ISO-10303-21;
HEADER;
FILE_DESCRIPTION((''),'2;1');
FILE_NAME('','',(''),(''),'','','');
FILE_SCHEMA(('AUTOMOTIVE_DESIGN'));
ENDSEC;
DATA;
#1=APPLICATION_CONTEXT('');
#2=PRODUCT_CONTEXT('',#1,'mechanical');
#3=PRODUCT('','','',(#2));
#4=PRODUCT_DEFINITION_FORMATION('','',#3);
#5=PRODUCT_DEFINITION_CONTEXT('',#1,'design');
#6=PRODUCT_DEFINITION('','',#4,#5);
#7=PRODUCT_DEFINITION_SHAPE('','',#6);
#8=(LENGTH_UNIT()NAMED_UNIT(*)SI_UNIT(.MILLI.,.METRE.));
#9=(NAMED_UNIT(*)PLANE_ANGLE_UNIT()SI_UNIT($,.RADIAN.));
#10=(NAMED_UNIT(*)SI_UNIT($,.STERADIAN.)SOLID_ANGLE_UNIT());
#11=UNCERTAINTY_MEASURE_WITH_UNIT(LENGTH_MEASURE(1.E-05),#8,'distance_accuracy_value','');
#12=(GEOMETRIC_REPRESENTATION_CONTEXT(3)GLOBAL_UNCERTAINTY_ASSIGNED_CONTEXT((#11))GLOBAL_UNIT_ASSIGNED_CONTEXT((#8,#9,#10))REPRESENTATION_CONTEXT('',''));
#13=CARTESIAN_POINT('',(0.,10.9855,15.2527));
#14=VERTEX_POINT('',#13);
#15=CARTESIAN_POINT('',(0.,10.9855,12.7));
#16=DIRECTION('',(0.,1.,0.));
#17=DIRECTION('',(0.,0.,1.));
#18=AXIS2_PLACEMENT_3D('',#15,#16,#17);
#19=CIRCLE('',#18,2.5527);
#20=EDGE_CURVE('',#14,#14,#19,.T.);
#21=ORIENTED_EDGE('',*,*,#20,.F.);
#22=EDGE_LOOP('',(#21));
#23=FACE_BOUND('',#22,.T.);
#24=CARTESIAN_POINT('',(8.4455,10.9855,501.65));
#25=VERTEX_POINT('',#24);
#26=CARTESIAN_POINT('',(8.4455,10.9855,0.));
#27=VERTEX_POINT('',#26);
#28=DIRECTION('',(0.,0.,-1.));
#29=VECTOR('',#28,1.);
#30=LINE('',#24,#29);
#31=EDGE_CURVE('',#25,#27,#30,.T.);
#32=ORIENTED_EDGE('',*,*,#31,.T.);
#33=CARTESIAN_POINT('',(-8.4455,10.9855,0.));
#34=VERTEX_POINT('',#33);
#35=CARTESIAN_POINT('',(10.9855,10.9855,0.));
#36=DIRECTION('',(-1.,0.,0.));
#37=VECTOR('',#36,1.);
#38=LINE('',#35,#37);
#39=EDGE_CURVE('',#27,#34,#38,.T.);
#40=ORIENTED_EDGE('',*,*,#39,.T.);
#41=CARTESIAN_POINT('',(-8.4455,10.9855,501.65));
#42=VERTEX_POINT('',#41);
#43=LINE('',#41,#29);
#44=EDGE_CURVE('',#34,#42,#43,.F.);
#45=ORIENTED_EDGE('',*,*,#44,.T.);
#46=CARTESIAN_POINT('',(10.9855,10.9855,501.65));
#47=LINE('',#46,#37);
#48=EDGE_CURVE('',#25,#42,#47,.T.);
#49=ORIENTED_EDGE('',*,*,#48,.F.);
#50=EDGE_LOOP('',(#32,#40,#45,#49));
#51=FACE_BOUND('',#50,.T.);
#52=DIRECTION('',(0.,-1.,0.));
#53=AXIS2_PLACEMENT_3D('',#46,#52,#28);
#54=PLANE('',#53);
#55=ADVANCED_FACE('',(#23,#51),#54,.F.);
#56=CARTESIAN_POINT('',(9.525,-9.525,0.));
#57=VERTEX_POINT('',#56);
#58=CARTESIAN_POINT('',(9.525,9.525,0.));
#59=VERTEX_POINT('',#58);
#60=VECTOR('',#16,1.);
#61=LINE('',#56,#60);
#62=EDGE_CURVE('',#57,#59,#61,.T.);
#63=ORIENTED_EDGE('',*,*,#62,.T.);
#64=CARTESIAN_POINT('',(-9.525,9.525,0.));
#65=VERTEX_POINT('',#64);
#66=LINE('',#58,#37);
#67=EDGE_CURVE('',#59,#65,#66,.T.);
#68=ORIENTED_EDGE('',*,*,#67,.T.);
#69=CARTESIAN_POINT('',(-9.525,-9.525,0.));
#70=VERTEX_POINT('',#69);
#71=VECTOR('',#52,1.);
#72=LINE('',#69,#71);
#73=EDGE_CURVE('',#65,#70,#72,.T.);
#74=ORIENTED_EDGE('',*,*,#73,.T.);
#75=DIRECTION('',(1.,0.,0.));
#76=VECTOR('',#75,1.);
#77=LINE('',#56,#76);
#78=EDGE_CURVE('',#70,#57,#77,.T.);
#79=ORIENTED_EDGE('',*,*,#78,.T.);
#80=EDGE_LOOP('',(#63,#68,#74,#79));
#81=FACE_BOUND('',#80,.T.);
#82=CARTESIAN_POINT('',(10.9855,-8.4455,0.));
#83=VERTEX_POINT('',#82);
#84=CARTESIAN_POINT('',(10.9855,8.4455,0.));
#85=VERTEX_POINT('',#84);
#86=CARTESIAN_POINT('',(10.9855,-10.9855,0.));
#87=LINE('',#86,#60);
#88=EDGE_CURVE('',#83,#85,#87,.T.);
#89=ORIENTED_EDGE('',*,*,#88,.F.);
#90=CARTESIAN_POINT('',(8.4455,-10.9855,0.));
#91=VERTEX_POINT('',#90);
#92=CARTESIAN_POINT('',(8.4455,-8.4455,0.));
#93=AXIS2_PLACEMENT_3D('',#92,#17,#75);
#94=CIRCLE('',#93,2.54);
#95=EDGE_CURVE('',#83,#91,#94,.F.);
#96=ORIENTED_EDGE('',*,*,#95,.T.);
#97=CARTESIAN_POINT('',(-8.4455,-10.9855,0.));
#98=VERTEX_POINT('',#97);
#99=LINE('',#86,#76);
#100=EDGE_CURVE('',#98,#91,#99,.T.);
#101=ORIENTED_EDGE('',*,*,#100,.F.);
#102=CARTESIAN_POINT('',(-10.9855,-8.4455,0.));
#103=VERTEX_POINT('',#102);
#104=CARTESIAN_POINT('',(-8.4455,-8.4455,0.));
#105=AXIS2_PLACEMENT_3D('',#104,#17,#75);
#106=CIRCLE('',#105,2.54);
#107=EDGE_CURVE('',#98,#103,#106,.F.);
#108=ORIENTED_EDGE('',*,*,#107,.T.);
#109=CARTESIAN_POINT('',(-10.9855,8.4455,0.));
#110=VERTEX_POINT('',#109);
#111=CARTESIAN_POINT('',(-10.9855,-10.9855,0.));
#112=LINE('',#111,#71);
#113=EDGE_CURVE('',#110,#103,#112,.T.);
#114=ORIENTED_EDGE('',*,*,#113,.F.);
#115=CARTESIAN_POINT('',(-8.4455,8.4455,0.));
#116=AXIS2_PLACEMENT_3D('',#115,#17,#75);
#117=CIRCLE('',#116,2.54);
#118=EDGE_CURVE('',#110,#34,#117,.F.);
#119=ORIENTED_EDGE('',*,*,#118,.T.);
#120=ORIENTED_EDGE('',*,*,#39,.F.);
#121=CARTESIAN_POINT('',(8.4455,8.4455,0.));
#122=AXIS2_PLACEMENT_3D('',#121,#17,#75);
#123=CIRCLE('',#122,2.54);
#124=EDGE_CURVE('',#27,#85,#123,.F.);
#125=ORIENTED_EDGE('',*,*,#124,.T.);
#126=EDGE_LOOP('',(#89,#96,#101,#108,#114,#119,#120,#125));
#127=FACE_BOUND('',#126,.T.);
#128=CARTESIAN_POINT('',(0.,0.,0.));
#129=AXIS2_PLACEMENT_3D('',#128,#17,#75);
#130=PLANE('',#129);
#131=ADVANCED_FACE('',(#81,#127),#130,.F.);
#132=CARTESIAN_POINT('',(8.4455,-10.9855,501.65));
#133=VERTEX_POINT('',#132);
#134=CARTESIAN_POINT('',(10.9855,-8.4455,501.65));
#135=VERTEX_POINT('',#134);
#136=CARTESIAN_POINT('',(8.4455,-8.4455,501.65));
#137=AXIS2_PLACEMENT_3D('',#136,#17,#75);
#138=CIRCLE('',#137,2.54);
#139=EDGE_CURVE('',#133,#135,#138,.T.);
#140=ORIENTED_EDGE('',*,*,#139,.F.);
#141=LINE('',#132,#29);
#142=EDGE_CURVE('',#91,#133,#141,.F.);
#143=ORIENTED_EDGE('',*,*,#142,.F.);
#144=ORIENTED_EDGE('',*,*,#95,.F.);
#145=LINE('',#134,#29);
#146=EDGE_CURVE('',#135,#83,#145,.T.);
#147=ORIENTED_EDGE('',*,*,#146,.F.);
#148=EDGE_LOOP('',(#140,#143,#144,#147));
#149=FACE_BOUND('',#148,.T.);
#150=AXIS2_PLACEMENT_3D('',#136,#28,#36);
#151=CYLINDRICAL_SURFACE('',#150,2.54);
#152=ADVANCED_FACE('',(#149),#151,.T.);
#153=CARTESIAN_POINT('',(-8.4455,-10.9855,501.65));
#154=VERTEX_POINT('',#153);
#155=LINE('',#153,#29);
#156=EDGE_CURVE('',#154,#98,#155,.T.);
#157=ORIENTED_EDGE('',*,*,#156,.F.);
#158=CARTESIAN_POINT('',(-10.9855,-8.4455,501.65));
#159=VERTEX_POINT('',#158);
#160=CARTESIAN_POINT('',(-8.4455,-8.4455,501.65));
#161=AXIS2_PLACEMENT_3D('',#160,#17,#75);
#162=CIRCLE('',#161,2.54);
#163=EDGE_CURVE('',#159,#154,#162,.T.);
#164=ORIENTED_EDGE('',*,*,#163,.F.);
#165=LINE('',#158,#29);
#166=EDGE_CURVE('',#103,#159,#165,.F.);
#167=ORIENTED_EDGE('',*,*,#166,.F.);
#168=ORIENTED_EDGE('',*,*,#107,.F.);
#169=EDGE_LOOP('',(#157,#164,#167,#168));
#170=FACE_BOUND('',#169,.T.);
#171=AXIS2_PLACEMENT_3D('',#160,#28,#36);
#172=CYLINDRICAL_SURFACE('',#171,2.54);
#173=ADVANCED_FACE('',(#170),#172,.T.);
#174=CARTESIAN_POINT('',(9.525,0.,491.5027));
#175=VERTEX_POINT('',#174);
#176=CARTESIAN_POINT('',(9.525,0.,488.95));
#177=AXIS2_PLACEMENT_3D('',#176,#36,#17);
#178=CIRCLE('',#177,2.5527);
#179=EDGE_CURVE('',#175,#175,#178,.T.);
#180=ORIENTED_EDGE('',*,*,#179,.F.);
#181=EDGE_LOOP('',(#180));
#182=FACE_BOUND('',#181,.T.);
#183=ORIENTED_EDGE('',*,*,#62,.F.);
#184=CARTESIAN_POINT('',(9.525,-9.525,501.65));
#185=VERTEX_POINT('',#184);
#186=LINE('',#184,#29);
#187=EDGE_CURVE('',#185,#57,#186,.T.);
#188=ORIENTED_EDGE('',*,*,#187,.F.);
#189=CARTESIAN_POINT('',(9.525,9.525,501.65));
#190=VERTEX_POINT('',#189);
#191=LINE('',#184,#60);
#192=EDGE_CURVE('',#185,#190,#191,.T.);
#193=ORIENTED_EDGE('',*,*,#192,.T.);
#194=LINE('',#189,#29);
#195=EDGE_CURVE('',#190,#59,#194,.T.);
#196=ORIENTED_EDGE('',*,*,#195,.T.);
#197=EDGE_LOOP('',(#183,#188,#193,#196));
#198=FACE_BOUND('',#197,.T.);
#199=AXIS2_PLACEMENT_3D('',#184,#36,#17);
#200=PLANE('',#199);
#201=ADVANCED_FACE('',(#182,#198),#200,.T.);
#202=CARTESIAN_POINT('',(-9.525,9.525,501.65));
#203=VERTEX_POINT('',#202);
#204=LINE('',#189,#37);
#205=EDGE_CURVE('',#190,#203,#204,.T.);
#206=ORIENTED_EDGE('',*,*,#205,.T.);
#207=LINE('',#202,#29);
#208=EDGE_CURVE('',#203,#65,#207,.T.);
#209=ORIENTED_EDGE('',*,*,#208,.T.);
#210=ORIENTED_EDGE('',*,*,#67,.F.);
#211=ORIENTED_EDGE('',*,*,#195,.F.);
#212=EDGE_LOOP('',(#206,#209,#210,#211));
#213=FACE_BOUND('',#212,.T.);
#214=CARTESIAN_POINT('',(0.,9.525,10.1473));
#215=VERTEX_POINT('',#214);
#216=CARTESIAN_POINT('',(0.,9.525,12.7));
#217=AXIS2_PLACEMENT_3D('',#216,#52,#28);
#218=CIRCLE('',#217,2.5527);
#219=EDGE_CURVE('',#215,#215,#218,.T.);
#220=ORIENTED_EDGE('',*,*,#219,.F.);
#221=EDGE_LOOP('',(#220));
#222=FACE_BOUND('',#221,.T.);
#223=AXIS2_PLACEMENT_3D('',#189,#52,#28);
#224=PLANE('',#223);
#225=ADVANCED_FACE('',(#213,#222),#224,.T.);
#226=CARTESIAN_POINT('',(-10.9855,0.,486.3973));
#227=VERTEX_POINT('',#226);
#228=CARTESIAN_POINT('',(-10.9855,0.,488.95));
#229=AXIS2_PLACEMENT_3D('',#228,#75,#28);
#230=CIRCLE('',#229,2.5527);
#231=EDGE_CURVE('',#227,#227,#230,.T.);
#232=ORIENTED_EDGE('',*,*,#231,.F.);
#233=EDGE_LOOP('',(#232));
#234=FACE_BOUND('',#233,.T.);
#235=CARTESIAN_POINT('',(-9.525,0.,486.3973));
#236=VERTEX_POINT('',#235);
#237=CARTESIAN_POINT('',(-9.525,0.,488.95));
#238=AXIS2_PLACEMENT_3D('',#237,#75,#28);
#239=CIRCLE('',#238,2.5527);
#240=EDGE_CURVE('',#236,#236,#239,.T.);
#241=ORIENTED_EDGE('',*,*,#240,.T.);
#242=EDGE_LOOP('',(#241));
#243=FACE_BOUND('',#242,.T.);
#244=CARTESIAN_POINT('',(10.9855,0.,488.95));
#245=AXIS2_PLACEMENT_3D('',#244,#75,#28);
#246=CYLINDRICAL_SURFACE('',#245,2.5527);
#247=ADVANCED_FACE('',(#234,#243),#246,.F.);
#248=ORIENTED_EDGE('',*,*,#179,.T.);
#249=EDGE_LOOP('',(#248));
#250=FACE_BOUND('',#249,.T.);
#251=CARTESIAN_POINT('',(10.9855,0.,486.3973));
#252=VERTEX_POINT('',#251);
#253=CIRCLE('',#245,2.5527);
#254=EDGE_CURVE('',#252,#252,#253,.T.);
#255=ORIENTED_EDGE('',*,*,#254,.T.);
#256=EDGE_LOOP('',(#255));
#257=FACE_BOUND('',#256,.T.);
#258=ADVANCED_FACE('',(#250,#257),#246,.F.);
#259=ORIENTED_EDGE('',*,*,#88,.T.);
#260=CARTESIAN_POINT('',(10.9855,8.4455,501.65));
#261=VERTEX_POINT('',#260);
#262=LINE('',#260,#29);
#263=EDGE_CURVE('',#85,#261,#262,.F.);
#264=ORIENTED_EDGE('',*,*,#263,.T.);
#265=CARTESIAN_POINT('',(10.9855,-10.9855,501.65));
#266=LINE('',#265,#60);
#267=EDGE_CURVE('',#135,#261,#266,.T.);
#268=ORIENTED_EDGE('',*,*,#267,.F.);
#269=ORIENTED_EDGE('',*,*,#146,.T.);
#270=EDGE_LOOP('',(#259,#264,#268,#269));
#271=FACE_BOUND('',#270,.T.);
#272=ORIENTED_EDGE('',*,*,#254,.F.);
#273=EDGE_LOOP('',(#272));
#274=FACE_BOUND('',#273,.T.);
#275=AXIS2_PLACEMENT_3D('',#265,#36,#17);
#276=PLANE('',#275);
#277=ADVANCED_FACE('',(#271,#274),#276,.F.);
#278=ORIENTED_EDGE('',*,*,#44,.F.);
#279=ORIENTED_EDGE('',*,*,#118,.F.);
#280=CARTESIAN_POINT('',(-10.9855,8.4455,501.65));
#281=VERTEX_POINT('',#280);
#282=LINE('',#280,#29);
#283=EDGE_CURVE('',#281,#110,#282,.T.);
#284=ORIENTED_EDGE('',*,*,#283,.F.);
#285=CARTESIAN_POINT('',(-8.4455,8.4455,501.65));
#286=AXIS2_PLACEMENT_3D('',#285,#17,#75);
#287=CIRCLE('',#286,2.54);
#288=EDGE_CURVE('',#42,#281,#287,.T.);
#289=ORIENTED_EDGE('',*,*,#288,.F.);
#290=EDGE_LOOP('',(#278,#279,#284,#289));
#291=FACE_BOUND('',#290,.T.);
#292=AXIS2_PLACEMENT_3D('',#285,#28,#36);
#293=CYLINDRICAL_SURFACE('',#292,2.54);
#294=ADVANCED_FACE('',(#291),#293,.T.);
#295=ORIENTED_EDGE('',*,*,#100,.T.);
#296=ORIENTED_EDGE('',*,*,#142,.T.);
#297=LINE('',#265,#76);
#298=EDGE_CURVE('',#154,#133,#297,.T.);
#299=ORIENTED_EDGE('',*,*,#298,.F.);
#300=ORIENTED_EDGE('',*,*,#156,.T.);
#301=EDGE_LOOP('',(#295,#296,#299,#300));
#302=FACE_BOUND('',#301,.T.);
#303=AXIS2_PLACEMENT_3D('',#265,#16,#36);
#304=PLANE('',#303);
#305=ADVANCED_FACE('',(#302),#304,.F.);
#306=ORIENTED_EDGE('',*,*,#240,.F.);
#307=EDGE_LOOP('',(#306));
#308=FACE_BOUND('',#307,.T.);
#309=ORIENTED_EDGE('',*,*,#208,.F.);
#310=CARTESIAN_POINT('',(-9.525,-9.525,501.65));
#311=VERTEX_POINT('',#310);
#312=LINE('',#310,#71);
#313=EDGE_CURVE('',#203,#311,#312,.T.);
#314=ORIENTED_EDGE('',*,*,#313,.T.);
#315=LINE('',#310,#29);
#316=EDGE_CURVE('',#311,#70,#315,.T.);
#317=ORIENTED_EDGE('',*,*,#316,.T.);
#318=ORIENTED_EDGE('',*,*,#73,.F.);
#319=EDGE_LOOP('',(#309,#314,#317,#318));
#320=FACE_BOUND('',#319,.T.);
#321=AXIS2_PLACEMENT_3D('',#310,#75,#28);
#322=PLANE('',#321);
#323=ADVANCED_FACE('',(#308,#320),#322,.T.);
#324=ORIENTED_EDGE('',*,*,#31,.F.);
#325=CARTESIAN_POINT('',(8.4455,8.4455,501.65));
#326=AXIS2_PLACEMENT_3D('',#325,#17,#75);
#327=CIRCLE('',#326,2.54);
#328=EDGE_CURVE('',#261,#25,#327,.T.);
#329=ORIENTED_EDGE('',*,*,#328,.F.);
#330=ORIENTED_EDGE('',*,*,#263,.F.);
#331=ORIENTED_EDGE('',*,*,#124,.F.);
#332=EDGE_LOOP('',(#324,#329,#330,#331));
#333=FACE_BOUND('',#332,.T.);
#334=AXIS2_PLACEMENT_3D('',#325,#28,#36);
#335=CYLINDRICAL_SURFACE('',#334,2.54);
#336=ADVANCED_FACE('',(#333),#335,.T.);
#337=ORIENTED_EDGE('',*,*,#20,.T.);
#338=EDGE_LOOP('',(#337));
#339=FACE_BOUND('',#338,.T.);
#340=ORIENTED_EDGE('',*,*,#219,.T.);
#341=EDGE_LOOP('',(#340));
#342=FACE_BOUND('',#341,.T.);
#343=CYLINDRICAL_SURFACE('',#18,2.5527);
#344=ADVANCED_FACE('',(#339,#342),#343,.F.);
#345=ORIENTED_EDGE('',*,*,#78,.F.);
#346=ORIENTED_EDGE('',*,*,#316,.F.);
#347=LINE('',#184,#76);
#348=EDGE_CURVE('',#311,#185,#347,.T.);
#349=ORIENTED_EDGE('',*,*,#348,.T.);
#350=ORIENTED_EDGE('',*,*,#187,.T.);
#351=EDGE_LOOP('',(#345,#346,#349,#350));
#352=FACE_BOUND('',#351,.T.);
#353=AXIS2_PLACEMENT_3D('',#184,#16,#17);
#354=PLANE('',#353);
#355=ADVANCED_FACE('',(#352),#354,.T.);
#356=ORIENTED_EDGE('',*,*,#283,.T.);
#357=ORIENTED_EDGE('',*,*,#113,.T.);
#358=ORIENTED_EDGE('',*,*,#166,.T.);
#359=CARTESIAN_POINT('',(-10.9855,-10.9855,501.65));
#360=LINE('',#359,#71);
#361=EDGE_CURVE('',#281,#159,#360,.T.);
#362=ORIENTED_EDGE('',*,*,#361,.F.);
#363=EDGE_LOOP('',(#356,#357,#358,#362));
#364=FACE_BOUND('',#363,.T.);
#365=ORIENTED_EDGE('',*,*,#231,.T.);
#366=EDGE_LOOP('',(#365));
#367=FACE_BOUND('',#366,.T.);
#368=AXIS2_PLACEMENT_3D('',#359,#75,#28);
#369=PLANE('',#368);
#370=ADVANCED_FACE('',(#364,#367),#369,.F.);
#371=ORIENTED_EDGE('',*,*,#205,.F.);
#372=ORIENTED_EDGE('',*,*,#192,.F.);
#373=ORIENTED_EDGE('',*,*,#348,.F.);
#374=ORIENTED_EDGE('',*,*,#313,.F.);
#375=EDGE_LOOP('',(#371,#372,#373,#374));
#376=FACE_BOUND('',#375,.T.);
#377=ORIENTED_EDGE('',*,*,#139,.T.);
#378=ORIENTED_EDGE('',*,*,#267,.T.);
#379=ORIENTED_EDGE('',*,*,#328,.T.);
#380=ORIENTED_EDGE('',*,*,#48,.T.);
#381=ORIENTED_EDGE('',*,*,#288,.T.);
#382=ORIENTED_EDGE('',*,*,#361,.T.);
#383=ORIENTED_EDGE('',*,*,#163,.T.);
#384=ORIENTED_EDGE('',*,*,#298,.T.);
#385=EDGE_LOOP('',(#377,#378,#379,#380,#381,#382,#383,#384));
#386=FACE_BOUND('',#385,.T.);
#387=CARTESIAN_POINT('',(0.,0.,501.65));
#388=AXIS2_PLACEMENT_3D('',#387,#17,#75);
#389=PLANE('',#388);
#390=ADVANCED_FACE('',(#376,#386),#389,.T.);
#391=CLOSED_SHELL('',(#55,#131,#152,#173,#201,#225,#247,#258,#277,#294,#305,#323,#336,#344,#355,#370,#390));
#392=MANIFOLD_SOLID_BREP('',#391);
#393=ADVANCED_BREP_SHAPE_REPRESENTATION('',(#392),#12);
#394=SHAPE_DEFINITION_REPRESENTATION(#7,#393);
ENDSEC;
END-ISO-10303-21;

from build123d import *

# Parameters (mm, degrees)
SKETCH4_W                  = 21.971
SKETCH4_H                  = 21.971
SKETCH4_W_2                = 19.05
SKETCH4_H_2                = 19.05
BOSS_EXTRUDE2_DEPTH        = 501.65
FILLET1_R                  = 2.54
F_10_CLEARANCE_HOLE1_D     = 5.1054
F_10_CLEARANCE_HOLE1_DEPTH = 16.51
F_10_CLEARANCE_HOLE1_TIP   = 1.533816902
F_10_CLEARANCE_HOLE2_D     = 5.1054


with BuildPart() as part:
    # Sketch4 → Boss-Extrude2 (new body)
    with BuildSketch(Plane.XY):
        Rectangle(SKETCH4_W, SKETCH4_H)
        Rectangle(SKETCH4_W_2, SKETCH4_H_2, mode=Mode.SUBTRACT)
    extrude(amount=BOSS_EXTRUDE2_DEPTH)

    # Fillet1
    fillet1_edges = [part.edges().sort_by_distance(p)[0] for p in [
        (-10.9855, 10.9855, 250.825),
        (10.9855, 10.9855, 250.825),
        (10.9855, -10.9855, 250.825),
        (-10.9855, -10.9855, 250.825),
    ]]
    fillet(fillet1_edges, radius=FILLET1_R)

    # #10 Clearance Hole1
    with Locations(Plane(origin=(0, 10.9855, 0), x_dir=(1, 0, 0), z_dir=(0, 1, 0))):
        with Locations((0, -12.7)):
            Hole(F_10_CLEARANCE_HOLE1_D / 2, depth=F_10_CLEARANCE_HOLE1_DEPTH)
            with Locations((0, 0, -(F_10_CLEARANCE_HOLE1_DEPTH + F_10_CLEARANCE_HOLE1_TIP / 2))):  # 118° drill point
                Cone(0, F_10_CLEARANCE_HOLE1_D / 2, F_10_CLEARANCE_HOLE1_TIP, mode=Mode.SUBTRACT)

    # #10 Clearance Hole2 (through all)
    with Locations(Plane(origin=(10.9855, 0, 0), x_dir=(0, 0, -1), z_dir=(1, 0, 0))):
        with Locations((-488.95, 0)):
            Hole(F_10_CLEARANCE_HOLE2_D / 2)


solid = part.part
